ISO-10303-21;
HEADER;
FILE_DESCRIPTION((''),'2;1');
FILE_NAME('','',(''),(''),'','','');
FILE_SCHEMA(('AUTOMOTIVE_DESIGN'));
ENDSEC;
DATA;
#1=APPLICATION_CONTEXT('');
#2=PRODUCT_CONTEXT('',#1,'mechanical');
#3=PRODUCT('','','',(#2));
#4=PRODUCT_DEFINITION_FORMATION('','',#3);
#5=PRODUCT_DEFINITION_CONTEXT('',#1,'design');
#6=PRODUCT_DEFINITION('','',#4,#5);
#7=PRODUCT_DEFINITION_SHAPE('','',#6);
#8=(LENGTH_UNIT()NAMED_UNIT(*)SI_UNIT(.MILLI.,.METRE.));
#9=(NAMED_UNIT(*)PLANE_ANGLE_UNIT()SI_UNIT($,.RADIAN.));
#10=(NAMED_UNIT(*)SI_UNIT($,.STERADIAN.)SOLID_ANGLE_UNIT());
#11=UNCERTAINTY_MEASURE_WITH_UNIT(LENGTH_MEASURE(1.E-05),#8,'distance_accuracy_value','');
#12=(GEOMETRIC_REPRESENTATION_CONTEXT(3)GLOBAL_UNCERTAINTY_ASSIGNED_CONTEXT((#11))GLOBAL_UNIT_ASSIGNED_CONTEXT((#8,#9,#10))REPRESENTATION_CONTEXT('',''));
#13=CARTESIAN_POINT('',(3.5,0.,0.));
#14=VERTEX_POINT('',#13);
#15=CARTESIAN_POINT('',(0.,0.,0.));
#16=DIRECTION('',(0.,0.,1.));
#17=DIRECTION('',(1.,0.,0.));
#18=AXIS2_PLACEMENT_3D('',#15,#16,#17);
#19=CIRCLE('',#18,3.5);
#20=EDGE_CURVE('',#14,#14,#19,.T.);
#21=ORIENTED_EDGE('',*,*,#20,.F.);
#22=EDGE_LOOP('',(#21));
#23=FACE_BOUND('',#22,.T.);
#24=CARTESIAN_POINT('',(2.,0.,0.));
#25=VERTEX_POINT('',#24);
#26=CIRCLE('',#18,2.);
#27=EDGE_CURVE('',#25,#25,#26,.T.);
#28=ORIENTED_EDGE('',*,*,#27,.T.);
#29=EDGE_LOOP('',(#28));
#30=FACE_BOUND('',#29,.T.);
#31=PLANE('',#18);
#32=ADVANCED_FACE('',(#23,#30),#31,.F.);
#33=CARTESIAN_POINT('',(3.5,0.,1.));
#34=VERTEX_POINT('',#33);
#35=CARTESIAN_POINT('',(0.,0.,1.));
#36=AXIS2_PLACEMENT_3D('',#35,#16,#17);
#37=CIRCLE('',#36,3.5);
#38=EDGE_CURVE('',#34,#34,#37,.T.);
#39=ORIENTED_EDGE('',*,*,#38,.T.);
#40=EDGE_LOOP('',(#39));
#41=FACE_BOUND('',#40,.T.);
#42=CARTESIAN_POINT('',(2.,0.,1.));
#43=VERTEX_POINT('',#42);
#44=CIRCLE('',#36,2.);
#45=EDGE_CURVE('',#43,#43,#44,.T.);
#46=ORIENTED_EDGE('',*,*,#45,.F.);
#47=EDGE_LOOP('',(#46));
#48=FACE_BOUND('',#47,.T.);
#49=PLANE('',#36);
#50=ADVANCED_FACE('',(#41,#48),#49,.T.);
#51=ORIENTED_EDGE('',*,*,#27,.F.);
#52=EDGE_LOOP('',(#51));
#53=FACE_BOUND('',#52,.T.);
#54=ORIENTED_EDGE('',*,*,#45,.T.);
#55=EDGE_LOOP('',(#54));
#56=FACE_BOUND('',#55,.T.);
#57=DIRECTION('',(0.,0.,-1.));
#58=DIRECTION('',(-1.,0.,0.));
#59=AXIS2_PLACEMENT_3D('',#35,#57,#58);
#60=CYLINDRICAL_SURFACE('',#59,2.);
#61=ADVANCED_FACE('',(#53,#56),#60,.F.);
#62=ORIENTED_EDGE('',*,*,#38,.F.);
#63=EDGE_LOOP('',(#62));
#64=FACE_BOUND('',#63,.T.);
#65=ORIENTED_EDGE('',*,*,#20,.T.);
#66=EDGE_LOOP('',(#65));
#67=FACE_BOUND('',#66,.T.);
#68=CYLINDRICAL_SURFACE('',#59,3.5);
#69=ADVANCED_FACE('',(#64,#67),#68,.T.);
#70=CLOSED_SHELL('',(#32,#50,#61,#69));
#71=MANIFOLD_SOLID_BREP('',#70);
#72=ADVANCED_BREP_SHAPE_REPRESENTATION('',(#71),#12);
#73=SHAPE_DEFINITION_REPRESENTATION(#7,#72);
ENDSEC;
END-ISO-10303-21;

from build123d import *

# Parameters (mm, degrees)
ESQUISSE1_R        = 3.5
ESQUISSE1_R_2      = 2
BOSS_EXTRU_1_DEPTH = 1


with BuildPart() as part:
    # Esquisse1 → Boss.-Extru.1 (new body)
    with BuildSketch(Plane.XY):
        Circle(ESQUISSE1_R)
        Circle(ESQUISSE1_R_2, mode=Mode.SUBTRACT)
    extrude(amount=BOSS_EXTRU_1_DEPTH)


solid = part.part
